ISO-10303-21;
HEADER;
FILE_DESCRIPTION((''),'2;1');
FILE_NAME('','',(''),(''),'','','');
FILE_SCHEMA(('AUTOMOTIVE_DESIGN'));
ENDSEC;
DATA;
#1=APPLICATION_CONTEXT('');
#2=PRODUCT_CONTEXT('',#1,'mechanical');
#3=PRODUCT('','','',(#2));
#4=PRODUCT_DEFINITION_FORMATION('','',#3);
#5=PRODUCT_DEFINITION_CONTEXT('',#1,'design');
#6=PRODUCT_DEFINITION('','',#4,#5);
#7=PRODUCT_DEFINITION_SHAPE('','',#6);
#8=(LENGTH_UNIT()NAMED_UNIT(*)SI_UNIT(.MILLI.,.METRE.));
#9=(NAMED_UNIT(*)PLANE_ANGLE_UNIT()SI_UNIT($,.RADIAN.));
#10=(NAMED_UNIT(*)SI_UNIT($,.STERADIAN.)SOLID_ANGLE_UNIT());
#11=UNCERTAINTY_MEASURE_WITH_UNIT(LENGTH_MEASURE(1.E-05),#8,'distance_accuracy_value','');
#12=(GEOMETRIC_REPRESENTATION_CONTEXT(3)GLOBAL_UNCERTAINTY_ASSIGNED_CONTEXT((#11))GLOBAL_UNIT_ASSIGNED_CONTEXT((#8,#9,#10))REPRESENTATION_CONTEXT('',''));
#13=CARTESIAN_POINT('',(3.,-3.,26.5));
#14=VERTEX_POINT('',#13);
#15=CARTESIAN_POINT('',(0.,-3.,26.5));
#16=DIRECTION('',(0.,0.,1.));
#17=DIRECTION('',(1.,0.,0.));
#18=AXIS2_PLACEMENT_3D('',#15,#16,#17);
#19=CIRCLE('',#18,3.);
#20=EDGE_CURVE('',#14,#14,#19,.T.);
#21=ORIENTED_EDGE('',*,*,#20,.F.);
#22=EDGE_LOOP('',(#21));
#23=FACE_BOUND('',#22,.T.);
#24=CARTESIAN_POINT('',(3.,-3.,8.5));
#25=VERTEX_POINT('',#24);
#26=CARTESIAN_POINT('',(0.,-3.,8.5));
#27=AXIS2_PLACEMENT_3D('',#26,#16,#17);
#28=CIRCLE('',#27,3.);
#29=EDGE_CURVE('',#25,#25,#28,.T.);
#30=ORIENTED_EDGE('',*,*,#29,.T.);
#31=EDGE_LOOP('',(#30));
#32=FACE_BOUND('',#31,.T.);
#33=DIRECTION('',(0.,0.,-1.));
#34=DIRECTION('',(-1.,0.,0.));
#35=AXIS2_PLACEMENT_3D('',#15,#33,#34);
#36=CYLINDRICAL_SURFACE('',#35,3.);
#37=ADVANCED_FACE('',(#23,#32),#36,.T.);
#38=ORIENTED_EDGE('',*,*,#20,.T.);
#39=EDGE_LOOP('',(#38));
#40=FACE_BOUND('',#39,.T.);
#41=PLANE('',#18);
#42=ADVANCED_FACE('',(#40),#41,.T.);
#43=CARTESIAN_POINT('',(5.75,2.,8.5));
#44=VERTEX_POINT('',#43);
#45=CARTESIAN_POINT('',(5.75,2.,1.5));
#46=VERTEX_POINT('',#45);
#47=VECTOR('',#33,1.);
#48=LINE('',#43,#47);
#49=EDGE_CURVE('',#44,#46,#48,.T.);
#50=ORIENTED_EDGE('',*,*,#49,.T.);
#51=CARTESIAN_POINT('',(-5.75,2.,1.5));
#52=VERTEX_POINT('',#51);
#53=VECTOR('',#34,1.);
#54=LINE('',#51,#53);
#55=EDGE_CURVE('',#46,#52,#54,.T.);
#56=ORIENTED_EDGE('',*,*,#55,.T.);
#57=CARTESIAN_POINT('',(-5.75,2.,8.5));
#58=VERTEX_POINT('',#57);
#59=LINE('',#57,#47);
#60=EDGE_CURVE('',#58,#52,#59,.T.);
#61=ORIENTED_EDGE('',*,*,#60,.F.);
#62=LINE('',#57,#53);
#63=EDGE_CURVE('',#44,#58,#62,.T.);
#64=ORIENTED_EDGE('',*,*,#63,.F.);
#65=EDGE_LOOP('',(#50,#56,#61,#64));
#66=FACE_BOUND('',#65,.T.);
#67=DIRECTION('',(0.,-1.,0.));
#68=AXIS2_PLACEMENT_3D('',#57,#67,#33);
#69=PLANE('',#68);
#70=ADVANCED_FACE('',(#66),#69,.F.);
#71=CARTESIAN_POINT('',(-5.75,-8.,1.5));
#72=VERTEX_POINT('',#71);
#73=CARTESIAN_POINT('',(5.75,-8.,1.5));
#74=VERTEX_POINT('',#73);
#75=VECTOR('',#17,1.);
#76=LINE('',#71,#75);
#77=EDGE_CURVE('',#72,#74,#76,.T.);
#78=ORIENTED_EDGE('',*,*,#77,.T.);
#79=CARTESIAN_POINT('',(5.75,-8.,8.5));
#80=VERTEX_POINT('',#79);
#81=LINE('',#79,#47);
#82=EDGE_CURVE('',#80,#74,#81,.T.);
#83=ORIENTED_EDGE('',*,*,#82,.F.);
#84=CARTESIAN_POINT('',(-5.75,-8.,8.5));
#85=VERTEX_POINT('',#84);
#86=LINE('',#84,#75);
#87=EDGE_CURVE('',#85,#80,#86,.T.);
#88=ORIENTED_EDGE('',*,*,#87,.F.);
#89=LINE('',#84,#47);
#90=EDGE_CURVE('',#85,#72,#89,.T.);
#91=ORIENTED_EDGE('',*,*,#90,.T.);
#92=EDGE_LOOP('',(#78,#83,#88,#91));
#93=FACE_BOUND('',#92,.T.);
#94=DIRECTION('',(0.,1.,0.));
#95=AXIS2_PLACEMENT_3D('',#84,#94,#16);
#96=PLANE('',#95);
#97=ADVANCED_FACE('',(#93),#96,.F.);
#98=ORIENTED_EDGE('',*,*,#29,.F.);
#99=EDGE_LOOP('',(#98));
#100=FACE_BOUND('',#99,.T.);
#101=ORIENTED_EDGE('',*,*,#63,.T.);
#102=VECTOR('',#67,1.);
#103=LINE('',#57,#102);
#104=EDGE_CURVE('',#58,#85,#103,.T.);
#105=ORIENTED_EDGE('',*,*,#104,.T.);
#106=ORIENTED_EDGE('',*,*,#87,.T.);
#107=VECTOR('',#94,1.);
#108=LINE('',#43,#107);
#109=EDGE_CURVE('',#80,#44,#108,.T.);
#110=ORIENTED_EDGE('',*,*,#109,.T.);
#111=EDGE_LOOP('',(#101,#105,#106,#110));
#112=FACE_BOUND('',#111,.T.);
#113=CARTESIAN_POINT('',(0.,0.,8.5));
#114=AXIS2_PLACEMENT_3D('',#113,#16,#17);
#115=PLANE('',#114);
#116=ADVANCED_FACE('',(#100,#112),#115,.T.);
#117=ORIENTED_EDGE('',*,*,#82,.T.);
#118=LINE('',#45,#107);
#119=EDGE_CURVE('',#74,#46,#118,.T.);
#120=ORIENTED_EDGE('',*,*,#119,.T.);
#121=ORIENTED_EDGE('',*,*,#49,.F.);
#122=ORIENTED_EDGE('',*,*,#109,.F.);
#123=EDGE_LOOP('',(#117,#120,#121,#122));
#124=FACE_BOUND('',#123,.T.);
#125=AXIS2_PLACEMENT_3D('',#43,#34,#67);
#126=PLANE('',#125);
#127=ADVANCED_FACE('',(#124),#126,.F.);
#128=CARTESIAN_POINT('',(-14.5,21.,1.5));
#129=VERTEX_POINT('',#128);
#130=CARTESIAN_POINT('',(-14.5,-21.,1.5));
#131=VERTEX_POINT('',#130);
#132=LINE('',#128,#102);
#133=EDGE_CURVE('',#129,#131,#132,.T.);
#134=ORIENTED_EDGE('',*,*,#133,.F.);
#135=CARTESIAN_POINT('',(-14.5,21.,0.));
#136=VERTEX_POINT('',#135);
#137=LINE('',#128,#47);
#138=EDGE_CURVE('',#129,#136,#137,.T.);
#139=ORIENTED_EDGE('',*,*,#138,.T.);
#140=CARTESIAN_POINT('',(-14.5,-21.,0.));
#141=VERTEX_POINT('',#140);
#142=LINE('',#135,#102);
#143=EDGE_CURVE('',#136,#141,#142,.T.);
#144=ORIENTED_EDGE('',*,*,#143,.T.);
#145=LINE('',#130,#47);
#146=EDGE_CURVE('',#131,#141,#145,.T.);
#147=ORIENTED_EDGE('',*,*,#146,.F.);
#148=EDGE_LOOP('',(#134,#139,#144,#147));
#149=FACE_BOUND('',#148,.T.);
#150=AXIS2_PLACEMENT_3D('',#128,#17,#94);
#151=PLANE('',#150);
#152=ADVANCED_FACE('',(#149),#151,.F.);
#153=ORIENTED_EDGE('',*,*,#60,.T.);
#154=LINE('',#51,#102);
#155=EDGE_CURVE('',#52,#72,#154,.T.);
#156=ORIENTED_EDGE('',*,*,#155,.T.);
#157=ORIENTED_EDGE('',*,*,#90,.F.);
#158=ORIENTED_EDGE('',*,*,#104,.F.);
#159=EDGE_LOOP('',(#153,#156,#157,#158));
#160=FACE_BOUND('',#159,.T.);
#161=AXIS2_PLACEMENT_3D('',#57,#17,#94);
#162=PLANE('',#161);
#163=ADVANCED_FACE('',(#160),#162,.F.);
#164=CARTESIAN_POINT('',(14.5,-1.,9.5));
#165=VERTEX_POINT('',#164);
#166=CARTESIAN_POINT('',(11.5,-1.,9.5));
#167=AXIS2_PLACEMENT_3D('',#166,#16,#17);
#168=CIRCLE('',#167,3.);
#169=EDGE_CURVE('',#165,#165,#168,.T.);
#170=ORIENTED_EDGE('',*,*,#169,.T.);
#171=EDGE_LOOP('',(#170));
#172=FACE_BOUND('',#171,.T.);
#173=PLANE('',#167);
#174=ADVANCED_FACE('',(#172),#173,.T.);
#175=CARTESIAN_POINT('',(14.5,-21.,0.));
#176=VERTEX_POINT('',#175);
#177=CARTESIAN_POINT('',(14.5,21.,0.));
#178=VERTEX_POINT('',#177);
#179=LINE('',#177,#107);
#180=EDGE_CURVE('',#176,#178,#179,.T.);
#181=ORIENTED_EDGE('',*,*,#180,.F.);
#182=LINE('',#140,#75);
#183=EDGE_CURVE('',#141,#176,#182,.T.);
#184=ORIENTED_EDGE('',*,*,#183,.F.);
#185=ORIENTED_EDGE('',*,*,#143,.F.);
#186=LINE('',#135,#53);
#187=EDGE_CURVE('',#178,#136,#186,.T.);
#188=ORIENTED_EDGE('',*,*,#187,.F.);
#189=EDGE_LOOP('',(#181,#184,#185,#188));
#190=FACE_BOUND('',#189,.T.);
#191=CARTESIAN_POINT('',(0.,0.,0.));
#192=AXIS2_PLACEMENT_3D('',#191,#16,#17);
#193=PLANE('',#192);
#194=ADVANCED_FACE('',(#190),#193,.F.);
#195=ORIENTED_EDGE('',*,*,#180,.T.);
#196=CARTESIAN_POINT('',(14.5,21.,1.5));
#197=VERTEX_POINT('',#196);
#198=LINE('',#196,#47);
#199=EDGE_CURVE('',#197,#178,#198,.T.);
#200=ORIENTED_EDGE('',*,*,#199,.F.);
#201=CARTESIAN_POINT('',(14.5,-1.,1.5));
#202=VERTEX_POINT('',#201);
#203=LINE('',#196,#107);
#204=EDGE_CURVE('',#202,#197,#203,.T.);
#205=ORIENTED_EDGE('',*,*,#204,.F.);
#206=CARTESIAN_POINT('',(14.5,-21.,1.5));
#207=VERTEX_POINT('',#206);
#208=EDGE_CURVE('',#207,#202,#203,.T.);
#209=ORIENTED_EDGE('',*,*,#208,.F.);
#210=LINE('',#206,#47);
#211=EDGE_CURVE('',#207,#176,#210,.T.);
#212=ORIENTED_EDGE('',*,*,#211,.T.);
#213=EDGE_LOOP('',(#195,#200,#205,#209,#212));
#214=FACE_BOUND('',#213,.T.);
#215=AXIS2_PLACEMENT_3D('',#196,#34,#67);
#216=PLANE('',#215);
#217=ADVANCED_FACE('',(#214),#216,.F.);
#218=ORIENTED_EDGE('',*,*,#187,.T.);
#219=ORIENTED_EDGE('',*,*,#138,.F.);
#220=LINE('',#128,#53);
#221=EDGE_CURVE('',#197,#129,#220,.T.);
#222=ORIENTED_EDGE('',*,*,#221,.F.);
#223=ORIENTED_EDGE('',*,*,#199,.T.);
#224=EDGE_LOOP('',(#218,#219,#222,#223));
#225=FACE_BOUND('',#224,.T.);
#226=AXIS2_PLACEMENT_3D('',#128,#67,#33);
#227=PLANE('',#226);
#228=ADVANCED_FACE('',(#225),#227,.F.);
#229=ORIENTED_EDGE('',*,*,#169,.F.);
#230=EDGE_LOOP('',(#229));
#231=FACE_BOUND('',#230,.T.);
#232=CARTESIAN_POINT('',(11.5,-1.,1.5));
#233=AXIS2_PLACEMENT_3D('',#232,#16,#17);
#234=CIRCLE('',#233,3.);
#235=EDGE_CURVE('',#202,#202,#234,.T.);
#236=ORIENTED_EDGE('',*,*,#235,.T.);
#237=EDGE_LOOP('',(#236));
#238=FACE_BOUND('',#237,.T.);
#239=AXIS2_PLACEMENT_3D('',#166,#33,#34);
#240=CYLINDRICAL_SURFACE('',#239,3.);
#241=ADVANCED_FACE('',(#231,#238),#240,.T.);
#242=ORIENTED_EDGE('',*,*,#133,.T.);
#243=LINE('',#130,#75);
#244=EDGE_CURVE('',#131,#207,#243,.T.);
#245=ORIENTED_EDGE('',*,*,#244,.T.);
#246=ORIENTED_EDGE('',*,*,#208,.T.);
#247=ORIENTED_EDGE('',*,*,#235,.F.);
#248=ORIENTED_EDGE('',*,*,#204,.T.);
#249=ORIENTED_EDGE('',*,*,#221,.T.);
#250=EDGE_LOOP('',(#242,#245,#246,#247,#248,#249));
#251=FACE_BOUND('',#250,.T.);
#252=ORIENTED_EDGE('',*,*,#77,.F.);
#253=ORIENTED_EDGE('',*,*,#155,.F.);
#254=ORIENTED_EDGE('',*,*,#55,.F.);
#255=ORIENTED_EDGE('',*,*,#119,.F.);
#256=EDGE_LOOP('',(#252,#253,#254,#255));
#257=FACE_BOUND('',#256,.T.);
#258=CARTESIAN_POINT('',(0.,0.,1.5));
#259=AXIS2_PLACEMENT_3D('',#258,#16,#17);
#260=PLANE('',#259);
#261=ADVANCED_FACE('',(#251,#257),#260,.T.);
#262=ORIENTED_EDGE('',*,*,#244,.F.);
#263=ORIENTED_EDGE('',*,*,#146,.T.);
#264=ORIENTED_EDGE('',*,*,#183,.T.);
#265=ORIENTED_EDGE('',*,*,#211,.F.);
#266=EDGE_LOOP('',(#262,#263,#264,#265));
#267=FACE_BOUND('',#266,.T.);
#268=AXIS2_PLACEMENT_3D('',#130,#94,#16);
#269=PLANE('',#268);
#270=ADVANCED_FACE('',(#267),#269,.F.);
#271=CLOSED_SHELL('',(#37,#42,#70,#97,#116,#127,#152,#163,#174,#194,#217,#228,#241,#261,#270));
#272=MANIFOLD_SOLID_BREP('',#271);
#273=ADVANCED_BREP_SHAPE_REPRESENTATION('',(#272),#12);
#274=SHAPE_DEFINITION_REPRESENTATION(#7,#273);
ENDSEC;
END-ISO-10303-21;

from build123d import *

# Parameters (mm, degrees)
SKETCH1_W           = 29
SKETCH1_H           = 42
BOSS_EXTRUDE1_DEPTH = 1.5
SKETCH2_W           = 11.5
SKETCH2_H           = 10
BOSS_EXTRUDE2_DEPTH = 7
SKETCH3_R           = 3
BOSS_EXTRUDE3_DEPTH = 18
SKETCH4_R           = 3
BOSS_EXTRUDE4_DEPTH = 8


with BuildPart() as part:
    # Sketch1 → Boss-Extrude1 (new body)
    with BuildSketch(Plane.XY):
        Rectangle(SKETCH1_W, SKETCH1_H)
    extrude(amount=BOSS_EXTRUDE1_DEPTH)

    # Sketch2 → Boss-Extrude2 (add)
    with BuildSketch(Plane.XY.offset(1.5)):
        with Locations((0, -3)):
            Rectangle(SKETCH2_W, SKETCH2_H)
    extrude(amount=BOSS_EXTRUDE2_DEPTH)

    # Sketch3 → Boss-Extrude3 (add)
    with BuildSketch(Plane.XY.offset(8.5)):
        with Locations((0, -3)):
            Circle(SKETCH3_R)
    extrude(amount=BOSS_EXTRUDE3_DEPTH)

    # Sketch4 → Boss-Extrude4 (add)
    with BuildSketch(Plane.XY.offset(1.5)):
        with Locations((11.5, -1)):
            Circle(SKETCH4_R)
    extrude(amount=BOSS_EXTRUDE4_DEPTH)


solid = part.part
